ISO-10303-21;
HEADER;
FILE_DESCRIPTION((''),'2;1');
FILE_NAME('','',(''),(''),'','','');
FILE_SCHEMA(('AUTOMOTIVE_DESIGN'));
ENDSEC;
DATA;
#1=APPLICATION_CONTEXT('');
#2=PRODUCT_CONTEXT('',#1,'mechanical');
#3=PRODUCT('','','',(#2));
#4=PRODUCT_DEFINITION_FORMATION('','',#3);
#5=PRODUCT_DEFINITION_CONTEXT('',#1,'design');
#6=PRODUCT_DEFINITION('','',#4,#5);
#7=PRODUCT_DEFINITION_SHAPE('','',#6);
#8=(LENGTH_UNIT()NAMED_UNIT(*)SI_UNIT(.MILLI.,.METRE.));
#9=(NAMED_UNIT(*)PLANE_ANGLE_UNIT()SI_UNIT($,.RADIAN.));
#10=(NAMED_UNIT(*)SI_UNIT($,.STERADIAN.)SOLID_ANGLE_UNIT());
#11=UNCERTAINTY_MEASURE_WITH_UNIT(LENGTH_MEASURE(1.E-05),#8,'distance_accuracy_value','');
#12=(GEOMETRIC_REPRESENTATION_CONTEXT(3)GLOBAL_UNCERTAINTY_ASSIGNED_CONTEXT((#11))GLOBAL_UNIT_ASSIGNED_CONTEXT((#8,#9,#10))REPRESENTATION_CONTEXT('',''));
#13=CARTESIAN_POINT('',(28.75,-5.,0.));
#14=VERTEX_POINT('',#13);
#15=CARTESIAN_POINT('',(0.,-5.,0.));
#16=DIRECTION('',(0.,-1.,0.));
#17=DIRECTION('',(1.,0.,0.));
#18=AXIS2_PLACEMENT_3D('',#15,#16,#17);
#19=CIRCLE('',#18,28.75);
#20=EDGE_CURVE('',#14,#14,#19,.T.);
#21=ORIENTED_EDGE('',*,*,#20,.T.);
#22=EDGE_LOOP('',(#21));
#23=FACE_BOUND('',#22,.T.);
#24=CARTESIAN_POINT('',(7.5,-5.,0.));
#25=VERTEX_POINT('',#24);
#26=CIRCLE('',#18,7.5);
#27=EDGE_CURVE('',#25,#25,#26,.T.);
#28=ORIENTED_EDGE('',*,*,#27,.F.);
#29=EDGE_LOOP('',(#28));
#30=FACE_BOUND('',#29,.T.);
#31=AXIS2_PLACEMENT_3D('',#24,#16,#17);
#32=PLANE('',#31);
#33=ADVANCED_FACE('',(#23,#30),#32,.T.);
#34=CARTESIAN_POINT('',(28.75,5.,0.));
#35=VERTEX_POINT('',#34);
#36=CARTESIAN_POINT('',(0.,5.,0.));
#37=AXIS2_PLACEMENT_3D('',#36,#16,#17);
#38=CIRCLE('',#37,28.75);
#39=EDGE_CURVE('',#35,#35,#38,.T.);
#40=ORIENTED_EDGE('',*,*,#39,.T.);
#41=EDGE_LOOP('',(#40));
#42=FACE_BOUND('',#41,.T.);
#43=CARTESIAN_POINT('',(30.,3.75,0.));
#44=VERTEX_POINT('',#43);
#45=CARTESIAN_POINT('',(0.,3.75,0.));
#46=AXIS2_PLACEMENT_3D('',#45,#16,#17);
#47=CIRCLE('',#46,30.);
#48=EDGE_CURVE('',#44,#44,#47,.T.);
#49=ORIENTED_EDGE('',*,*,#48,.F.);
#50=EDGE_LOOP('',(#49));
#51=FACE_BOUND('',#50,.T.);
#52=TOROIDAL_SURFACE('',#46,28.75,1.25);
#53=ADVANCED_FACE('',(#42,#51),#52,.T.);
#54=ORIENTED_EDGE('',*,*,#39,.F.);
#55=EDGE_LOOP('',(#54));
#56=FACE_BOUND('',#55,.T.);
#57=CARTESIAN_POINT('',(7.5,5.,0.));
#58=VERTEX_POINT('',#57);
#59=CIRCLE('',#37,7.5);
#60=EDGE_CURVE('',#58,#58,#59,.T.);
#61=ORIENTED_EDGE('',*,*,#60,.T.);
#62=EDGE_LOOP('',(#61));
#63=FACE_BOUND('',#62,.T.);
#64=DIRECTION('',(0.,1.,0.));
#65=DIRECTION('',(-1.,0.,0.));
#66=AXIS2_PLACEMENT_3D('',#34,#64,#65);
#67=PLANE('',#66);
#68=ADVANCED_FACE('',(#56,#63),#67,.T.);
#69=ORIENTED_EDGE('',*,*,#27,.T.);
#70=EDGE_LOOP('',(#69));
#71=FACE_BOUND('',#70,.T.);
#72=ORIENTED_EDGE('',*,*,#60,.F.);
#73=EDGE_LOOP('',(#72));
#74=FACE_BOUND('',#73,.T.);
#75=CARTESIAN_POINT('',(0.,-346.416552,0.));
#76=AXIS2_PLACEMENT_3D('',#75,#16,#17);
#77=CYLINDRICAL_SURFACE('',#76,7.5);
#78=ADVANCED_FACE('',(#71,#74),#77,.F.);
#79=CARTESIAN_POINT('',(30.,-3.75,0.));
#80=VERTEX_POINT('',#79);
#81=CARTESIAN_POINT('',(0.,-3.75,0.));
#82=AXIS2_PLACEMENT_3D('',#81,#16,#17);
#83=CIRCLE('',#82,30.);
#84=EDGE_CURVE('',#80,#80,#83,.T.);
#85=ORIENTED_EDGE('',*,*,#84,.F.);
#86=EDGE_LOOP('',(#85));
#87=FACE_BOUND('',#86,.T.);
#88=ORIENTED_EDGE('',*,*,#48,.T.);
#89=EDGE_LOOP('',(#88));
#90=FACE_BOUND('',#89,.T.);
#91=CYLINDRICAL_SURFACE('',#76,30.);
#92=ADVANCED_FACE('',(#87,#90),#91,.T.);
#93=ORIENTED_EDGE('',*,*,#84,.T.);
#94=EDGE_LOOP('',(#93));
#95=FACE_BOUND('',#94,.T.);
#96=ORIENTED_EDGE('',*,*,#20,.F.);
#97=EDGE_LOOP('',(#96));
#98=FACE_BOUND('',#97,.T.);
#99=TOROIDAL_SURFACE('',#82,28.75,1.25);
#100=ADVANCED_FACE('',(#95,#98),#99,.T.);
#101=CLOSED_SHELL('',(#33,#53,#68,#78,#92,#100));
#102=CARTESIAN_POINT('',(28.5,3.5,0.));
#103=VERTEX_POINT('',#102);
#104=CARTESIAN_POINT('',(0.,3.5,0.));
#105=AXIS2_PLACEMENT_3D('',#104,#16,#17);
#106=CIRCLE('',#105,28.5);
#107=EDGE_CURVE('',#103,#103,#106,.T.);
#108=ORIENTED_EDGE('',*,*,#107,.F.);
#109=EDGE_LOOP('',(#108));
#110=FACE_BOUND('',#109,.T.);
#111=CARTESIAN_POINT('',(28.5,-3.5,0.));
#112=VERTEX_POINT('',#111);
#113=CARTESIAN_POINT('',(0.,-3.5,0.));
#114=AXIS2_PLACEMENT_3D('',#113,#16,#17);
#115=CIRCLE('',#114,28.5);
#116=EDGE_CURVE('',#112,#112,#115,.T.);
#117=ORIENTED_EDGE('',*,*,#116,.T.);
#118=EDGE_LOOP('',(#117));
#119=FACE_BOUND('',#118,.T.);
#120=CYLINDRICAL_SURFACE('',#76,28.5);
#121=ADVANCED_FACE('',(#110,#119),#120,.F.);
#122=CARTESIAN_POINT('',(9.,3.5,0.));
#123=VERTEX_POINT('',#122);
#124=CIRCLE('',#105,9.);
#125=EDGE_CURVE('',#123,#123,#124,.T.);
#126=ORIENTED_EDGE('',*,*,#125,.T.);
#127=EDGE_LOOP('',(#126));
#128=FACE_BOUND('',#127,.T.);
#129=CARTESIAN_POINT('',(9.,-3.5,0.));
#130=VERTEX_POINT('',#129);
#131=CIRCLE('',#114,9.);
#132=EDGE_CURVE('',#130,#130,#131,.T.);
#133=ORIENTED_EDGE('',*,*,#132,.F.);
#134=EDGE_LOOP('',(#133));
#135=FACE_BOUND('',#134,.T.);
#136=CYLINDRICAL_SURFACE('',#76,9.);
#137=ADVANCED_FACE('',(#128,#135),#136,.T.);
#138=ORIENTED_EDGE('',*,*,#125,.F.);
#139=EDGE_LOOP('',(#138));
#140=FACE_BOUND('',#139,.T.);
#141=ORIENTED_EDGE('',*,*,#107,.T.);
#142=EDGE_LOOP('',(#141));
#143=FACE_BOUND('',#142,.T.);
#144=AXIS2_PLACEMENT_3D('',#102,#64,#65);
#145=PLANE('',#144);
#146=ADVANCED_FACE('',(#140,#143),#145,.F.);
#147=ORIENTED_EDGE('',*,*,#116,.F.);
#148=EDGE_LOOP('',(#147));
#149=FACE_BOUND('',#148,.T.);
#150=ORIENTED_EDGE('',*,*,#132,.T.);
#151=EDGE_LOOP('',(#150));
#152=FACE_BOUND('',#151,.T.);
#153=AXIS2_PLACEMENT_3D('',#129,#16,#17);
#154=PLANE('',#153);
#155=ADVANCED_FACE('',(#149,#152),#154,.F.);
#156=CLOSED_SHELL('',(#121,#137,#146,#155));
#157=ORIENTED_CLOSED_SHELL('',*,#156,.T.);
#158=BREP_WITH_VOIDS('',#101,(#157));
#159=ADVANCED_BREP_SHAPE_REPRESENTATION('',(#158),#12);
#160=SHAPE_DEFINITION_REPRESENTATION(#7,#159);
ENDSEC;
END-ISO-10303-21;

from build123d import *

# Parameters (mm, degrees)
SKETCH_1_W = 19.5
SKETCH_1_H = 7


with BuildPart() as part:
    # 草图1 → 旋转3 (revolve)
    with BuildSketch(Plane.XY):
        with BuildLine():
            Line((7.5, 5), (7.5, -5))
            Line((7.5, -5), (28.75, -5))
            ThreePointArc((28.75, -5), (29.633883476, -4.633883476), (30, -3.75))
            Line((30, -3.75), (30, 3.75))
            ThreePointArc((30, 3.75), (29.633883476, 4.633883476), (28.75, 5))
            Line((28.75, 5), (7.5, 5))
        make_face()
        with Locations((18.75, 0)):
            Rectangle(SKETCH_1_W, SKETCH_1_H, mode=Mode.SUBTRACT)
    revolve(axis=Axis((0, -346.416551839, 0), (0, 1, 0)))


solid = part.part
